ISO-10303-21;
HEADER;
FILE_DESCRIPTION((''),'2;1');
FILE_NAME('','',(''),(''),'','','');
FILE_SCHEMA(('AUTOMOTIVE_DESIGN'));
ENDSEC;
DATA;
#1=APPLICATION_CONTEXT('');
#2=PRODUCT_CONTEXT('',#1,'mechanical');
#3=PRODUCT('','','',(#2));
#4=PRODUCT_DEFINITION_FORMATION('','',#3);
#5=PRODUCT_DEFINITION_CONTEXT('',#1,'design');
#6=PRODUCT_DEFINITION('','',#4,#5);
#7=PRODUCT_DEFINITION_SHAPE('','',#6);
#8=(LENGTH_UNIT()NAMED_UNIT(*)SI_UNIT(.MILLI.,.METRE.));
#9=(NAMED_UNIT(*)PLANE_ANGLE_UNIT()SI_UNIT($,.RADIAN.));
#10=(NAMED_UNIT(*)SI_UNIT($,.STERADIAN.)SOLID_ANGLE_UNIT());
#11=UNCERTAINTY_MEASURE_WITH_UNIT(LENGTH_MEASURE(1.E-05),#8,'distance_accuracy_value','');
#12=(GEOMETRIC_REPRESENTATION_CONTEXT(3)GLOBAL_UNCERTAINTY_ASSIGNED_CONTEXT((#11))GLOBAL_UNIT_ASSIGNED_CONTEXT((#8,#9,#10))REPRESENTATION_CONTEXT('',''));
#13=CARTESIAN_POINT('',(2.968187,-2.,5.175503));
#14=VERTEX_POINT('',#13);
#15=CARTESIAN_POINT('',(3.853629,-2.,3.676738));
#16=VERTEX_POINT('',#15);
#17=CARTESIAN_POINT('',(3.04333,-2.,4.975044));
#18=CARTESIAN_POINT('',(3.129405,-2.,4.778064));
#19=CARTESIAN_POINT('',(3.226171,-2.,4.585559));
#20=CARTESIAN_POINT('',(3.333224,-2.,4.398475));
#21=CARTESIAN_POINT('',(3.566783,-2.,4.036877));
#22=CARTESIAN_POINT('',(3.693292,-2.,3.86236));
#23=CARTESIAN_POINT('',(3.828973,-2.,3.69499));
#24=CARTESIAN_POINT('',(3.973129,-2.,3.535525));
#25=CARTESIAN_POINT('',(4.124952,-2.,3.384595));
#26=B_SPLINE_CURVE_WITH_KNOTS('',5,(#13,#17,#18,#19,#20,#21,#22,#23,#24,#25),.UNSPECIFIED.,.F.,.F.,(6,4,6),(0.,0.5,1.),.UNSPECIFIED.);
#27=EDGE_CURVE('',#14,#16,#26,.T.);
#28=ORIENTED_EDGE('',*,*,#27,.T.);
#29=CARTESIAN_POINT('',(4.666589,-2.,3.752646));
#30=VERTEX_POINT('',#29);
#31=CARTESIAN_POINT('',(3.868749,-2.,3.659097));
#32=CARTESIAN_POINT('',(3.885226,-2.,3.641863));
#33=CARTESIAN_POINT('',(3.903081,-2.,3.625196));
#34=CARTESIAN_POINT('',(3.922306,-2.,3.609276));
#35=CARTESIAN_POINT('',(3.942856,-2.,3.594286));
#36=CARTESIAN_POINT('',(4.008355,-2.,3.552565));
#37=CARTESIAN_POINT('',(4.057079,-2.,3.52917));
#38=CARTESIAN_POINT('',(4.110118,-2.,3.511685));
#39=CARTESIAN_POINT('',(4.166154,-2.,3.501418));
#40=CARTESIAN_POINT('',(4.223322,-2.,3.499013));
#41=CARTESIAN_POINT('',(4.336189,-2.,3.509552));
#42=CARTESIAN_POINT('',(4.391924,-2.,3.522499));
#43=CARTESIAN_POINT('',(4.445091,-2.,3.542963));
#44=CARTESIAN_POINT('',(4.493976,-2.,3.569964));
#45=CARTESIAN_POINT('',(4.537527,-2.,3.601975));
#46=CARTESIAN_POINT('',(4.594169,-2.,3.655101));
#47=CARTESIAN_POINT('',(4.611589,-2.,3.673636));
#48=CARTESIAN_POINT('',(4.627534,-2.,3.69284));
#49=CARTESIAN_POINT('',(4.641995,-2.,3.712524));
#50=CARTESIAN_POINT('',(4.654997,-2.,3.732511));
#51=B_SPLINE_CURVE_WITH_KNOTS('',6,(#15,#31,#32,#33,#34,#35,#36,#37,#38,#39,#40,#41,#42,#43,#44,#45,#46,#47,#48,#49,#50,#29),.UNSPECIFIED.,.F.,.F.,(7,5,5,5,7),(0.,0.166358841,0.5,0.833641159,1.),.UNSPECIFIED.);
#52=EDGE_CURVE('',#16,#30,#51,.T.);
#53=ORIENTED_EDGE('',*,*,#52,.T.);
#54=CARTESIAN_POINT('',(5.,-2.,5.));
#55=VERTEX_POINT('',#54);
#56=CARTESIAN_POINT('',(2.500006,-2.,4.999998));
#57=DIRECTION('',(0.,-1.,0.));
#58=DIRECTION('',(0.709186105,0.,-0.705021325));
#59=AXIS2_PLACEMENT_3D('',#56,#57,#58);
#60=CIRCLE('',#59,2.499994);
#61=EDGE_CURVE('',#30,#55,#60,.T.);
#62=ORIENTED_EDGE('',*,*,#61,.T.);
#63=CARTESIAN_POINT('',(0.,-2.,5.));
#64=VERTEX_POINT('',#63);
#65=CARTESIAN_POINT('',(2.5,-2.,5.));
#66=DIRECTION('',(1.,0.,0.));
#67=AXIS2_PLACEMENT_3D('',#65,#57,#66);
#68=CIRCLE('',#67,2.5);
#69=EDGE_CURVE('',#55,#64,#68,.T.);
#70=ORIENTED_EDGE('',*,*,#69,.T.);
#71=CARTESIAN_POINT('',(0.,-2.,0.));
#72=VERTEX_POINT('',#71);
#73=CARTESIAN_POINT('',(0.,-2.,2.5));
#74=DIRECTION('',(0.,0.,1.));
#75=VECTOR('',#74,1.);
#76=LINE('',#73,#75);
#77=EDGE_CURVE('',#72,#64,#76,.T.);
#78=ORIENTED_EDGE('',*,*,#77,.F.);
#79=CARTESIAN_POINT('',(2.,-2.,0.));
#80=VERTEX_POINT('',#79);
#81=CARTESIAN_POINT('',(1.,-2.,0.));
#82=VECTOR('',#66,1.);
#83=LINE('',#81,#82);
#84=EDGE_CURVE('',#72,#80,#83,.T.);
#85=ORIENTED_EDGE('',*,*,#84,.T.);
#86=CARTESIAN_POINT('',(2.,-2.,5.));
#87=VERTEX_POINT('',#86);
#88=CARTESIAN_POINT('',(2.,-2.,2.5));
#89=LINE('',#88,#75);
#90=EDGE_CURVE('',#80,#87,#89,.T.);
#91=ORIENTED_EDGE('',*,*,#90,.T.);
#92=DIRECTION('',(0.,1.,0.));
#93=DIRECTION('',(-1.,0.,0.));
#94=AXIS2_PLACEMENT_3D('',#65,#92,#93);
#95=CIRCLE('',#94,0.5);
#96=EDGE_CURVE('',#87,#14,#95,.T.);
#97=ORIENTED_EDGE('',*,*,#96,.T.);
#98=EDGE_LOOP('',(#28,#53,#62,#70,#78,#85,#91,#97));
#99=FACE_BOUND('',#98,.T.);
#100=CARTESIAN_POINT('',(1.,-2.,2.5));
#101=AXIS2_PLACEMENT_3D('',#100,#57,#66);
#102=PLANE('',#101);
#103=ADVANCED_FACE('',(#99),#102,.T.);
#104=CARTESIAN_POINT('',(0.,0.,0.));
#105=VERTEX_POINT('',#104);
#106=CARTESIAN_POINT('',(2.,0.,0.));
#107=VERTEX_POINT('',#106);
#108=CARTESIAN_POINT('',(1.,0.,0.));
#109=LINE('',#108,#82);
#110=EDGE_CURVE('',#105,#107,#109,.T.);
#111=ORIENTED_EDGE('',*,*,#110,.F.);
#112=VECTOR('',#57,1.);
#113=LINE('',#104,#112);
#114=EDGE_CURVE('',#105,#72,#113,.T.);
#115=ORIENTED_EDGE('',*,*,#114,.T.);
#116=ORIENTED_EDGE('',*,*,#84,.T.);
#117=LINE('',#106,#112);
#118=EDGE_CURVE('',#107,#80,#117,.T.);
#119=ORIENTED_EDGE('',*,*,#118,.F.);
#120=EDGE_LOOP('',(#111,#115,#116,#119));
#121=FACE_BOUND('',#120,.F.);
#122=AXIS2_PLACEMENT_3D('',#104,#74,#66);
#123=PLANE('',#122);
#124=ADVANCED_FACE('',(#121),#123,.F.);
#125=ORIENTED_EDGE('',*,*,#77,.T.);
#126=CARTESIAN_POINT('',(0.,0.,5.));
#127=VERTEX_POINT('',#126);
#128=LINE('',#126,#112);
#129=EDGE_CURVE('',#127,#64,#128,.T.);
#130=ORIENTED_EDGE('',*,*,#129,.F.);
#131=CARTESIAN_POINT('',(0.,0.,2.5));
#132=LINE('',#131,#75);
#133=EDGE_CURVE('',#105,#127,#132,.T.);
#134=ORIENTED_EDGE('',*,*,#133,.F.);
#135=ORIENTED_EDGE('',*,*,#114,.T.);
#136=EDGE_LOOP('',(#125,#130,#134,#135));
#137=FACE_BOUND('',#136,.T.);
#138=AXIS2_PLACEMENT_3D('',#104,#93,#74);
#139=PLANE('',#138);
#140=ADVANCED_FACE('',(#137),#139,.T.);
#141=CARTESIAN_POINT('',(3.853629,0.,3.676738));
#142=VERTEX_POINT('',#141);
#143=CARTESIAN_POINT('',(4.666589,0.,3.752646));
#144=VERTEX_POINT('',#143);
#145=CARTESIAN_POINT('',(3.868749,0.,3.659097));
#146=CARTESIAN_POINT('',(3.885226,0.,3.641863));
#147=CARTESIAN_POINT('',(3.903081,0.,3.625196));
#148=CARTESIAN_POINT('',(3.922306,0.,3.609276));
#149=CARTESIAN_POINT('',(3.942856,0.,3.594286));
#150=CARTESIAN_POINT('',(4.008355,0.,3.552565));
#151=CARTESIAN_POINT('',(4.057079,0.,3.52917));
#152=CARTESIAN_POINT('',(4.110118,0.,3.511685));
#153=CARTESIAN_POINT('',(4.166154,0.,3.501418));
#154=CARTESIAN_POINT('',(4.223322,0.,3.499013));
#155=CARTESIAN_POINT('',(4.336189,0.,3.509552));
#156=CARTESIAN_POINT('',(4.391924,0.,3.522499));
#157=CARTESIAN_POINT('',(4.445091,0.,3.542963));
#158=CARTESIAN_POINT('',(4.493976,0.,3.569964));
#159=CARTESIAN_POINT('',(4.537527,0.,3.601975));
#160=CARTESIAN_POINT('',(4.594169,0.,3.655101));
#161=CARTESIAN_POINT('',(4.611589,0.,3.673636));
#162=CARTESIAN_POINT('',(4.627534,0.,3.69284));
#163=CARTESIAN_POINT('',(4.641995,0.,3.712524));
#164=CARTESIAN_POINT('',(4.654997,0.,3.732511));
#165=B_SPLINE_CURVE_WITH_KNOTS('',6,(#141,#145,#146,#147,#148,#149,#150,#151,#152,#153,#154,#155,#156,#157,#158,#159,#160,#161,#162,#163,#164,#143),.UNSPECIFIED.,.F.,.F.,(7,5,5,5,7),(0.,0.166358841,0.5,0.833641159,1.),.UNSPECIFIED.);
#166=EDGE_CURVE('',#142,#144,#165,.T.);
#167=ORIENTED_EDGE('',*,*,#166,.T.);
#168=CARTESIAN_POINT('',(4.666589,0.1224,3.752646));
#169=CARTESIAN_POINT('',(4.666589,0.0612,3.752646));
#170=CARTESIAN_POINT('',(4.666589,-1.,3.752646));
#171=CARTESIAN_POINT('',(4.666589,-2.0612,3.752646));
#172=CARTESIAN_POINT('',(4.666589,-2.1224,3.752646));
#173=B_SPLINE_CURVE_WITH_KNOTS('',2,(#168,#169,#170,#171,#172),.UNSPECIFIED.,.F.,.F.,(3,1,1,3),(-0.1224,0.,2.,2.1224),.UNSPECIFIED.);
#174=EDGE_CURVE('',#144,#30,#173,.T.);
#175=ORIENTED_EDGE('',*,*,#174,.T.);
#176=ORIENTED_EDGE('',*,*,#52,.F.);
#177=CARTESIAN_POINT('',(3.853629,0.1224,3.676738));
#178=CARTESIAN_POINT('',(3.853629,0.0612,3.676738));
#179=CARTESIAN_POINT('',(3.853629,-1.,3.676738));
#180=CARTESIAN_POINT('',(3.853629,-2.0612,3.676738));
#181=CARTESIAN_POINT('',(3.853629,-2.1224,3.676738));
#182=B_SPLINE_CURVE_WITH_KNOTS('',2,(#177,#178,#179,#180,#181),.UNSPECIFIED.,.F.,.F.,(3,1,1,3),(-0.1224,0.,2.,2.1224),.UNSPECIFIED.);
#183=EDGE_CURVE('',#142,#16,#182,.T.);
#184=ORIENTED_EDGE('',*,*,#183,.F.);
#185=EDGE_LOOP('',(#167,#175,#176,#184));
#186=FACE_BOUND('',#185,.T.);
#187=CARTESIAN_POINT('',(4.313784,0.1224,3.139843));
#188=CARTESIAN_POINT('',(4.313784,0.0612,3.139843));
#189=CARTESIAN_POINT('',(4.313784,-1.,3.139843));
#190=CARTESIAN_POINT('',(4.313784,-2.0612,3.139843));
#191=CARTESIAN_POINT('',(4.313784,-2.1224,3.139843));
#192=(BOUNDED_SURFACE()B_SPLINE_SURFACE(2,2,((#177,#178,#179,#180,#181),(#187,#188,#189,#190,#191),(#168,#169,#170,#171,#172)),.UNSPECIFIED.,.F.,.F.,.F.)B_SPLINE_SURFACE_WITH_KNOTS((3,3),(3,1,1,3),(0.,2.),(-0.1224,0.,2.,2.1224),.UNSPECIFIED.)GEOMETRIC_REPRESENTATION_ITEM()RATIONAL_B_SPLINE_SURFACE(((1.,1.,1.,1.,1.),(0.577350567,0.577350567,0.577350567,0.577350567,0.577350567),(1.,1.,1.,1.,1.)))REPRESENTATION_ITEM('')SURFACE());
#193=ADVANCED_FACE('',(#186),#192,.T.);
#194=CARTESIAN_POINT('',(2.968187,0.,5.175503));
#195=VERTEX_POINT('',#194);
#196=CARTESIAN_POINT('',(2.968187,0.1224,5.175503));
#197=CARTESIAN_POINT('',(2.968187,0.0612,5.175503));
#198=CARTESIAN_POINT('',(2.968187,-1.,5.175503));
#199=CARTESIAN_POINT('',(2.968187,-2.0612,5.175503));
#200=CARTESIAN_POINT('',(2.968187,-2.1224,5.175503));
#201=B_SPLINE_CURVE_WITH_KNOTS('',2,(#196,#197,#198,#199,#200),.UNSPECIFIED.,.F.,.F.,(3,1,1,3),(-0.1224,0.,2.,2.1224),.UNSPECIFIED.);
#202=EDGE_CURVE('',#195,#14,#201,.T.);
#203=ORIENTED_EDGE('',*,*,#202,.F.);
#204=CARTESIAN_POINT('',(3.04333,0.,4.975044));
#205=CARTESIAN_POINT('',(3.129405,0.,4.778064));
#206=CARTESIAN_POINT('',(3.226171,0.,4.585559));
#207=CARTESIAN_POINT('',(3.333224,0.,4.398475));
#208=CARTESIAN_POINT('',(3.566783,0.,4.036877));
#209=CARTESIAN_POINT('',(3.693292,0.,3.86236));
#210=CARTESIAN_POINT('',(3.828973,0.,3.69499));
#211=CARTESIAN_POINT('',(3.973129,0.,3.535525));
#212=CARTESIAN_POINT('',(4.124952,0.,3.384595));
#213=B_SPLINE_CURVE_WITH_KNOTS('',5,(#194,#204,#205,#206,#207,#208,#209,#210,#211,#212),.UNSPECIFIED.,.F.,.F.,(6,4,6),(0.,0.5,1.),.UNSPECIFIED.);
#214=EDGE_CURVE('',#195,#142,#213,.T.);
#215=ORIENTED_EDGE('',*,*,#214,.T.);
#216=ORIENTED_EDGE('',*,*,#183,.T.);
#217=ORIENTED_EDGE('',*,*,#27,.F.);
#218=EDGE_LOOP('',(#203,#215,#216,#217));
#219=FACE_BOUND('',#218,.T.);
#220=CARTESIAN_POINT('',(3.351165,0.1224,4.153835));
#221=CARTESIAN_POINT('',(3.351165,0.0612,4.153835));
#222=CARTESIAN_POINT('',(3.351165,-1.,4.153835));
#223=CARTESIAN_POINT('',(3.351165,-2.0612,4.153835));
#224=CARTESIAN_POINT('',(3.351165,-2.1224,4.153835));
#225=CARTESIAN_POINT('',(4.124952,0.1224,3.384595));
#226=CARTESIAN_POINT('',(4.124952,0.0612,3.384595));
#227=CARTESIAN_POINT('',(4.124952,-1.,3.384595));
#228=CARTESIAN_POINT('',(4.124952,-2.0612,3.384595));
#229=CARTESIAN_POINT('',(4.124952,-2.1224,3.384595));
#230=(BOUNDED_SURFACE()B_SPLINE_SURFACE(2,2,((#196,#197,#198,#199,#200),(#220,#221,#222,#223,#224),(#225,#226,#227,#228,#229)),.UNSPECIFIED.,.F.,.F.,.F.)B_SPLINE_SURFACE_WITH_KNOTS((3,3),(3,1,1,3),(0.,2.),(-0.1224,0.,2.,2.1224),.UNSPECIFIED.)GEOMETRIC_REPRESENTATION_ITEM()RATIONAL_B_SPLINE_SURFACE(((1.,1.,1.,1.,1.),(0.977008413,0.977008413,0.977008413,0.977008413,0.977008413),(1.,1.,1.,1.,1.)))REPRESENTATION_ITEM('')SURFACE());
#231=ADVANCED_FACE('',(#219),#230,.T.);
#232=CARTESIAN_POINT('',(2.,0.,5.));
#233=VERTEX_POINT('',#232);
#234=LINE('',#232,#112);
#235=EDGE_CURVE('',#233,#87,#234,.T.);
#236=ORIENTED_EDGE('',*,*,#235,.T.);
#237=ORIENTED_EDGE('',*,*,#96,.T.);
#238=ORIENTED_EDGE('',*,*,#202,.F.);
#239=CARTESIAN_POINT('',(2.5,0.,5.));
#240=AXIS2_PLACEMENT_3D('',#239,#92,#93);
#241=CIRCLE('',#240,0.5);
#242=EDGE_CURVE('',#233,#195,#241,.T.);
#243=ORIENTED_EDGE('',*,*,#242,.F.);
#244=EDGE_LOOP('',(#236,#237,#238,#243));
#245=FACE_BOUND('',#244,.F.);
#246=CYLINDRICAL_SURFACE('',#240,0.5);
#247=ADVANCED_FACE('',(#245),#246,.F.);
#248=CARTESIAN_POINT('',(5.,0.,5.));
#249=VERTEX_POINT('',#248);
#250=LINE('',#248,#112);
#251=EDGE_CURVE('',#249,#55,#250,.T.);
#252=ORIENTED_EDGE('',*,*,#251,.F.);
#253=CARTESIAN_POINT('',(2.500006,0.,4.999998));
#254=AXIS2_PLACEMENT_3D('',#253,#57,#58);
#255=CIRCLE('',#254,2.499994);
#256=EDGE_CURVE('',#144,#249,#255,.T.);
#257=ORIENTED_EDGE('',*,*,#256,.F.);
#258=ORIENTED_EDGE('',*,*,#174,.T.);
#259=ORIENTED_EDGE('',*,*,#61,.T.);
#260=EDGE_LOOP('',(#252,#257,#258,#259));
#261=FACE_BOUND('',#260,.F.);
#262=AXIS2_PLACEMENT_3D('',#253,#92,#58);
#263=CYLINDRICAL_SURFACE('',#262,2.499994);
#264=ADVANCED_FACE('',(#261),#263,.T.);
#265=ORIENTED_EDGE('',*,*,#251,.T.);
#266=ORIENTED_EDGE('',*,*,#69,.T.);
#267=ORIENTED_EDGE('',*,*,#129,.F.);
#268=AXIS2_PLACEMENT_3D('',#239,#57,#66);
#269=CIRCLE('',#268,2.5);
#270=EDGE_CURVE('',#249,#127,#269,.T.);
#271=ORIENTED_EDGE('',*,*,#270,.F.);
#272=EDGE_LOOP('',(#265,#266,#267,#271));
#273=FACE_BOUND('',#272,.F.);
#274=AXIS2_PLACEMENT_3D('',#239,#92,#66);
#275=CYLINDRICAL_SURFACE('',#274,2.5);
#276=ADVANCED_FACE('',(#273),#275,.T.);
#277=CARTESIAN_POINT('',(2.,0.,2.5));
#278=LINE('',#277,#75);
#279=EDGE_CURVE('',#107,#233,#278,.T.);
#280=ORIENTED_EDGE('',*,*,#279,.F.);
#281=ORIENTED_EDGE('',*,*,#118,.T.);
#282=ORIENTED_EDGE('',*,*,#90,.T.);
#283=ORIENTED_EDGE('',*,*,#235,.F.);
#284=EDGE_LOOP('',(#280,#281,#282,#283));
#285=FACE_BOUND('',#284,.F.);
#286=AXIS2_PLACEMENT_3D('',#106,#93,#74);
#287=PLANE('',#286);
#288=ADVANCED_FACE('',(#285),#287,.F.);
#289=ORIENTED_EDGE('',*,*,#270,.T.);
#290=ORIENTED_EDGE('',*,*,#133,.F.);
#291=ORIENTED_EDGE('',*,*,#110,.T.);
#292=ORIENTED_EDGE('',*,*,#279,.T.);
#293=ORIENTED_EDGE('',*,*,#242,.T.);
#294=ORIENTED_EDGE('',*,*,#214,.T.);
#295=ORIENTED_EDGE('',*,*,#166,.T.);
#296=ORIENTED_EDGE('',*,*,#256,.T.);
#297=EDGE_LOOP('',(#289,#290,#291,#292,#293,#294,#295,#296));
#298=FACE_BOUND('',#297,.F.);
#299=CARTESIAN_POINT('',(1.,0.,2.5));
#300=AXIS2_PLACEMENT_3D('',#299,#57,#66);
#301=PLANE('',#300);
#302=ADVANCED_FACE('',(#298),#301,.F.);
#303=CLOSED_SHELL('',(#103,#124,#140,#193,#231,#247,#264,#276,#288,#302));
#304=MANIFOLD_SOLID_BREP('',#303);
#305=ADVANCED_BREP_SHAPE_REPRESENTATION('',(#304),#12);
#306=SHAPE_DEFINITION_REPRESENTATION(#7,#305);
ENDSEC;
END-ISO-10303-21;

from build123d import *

# Parameters (mm, degrees)
F0_W     = 2
F0_H     = 5
F1_DEPTH = 2
F2_R     = 5
F3_R     = 0.5


with BuildPart() as f1:
    # F0 (on Front) → F1 (new body)
    with BuildSketch(Plane.XZ):
        with Locations((1, 2.5)):
            Rectangle(F0_W, F0_H)
        with BuildLine():
            ThreePointArc((5, 5), (2.5, 7.5), (0, 5))
            Line((0, 5), (2, 5))
            ThreePointArc((2, 5), (2.5, 5.5), (3, 5))
            Line((3, 5), (5, 5))
        make_face()
        with BuildLine():
            ThreePointArc((4.272967, 3.237449), (4.811106, 4.046695), (5, 5))
            Line((5, 5), (3, 5))
            ThreePointArc((3, 5), (2.962221, 4.809339), (2.854593, 4.64749))
            Line((2.854593, 4.64749), (4.272967, 3.237449))
        make_face()
    extrude(amount=F1_DEPTH)

    # F2
    f2_edges = [f1.edges().sort_by_distance(p)[0] for p in [
        (2.854593, -1, 4.64749),
    ]]
    fillet(f2_edges, radius=F2_R)

    # F3
    f3_edges = [f1.edges().sort_by_distance(p)[0] for p in [
        (4.272967, -1, 3.237449),
    ]]
    fillet(f3_edges, radius=F3_R)


solid = f1.part
